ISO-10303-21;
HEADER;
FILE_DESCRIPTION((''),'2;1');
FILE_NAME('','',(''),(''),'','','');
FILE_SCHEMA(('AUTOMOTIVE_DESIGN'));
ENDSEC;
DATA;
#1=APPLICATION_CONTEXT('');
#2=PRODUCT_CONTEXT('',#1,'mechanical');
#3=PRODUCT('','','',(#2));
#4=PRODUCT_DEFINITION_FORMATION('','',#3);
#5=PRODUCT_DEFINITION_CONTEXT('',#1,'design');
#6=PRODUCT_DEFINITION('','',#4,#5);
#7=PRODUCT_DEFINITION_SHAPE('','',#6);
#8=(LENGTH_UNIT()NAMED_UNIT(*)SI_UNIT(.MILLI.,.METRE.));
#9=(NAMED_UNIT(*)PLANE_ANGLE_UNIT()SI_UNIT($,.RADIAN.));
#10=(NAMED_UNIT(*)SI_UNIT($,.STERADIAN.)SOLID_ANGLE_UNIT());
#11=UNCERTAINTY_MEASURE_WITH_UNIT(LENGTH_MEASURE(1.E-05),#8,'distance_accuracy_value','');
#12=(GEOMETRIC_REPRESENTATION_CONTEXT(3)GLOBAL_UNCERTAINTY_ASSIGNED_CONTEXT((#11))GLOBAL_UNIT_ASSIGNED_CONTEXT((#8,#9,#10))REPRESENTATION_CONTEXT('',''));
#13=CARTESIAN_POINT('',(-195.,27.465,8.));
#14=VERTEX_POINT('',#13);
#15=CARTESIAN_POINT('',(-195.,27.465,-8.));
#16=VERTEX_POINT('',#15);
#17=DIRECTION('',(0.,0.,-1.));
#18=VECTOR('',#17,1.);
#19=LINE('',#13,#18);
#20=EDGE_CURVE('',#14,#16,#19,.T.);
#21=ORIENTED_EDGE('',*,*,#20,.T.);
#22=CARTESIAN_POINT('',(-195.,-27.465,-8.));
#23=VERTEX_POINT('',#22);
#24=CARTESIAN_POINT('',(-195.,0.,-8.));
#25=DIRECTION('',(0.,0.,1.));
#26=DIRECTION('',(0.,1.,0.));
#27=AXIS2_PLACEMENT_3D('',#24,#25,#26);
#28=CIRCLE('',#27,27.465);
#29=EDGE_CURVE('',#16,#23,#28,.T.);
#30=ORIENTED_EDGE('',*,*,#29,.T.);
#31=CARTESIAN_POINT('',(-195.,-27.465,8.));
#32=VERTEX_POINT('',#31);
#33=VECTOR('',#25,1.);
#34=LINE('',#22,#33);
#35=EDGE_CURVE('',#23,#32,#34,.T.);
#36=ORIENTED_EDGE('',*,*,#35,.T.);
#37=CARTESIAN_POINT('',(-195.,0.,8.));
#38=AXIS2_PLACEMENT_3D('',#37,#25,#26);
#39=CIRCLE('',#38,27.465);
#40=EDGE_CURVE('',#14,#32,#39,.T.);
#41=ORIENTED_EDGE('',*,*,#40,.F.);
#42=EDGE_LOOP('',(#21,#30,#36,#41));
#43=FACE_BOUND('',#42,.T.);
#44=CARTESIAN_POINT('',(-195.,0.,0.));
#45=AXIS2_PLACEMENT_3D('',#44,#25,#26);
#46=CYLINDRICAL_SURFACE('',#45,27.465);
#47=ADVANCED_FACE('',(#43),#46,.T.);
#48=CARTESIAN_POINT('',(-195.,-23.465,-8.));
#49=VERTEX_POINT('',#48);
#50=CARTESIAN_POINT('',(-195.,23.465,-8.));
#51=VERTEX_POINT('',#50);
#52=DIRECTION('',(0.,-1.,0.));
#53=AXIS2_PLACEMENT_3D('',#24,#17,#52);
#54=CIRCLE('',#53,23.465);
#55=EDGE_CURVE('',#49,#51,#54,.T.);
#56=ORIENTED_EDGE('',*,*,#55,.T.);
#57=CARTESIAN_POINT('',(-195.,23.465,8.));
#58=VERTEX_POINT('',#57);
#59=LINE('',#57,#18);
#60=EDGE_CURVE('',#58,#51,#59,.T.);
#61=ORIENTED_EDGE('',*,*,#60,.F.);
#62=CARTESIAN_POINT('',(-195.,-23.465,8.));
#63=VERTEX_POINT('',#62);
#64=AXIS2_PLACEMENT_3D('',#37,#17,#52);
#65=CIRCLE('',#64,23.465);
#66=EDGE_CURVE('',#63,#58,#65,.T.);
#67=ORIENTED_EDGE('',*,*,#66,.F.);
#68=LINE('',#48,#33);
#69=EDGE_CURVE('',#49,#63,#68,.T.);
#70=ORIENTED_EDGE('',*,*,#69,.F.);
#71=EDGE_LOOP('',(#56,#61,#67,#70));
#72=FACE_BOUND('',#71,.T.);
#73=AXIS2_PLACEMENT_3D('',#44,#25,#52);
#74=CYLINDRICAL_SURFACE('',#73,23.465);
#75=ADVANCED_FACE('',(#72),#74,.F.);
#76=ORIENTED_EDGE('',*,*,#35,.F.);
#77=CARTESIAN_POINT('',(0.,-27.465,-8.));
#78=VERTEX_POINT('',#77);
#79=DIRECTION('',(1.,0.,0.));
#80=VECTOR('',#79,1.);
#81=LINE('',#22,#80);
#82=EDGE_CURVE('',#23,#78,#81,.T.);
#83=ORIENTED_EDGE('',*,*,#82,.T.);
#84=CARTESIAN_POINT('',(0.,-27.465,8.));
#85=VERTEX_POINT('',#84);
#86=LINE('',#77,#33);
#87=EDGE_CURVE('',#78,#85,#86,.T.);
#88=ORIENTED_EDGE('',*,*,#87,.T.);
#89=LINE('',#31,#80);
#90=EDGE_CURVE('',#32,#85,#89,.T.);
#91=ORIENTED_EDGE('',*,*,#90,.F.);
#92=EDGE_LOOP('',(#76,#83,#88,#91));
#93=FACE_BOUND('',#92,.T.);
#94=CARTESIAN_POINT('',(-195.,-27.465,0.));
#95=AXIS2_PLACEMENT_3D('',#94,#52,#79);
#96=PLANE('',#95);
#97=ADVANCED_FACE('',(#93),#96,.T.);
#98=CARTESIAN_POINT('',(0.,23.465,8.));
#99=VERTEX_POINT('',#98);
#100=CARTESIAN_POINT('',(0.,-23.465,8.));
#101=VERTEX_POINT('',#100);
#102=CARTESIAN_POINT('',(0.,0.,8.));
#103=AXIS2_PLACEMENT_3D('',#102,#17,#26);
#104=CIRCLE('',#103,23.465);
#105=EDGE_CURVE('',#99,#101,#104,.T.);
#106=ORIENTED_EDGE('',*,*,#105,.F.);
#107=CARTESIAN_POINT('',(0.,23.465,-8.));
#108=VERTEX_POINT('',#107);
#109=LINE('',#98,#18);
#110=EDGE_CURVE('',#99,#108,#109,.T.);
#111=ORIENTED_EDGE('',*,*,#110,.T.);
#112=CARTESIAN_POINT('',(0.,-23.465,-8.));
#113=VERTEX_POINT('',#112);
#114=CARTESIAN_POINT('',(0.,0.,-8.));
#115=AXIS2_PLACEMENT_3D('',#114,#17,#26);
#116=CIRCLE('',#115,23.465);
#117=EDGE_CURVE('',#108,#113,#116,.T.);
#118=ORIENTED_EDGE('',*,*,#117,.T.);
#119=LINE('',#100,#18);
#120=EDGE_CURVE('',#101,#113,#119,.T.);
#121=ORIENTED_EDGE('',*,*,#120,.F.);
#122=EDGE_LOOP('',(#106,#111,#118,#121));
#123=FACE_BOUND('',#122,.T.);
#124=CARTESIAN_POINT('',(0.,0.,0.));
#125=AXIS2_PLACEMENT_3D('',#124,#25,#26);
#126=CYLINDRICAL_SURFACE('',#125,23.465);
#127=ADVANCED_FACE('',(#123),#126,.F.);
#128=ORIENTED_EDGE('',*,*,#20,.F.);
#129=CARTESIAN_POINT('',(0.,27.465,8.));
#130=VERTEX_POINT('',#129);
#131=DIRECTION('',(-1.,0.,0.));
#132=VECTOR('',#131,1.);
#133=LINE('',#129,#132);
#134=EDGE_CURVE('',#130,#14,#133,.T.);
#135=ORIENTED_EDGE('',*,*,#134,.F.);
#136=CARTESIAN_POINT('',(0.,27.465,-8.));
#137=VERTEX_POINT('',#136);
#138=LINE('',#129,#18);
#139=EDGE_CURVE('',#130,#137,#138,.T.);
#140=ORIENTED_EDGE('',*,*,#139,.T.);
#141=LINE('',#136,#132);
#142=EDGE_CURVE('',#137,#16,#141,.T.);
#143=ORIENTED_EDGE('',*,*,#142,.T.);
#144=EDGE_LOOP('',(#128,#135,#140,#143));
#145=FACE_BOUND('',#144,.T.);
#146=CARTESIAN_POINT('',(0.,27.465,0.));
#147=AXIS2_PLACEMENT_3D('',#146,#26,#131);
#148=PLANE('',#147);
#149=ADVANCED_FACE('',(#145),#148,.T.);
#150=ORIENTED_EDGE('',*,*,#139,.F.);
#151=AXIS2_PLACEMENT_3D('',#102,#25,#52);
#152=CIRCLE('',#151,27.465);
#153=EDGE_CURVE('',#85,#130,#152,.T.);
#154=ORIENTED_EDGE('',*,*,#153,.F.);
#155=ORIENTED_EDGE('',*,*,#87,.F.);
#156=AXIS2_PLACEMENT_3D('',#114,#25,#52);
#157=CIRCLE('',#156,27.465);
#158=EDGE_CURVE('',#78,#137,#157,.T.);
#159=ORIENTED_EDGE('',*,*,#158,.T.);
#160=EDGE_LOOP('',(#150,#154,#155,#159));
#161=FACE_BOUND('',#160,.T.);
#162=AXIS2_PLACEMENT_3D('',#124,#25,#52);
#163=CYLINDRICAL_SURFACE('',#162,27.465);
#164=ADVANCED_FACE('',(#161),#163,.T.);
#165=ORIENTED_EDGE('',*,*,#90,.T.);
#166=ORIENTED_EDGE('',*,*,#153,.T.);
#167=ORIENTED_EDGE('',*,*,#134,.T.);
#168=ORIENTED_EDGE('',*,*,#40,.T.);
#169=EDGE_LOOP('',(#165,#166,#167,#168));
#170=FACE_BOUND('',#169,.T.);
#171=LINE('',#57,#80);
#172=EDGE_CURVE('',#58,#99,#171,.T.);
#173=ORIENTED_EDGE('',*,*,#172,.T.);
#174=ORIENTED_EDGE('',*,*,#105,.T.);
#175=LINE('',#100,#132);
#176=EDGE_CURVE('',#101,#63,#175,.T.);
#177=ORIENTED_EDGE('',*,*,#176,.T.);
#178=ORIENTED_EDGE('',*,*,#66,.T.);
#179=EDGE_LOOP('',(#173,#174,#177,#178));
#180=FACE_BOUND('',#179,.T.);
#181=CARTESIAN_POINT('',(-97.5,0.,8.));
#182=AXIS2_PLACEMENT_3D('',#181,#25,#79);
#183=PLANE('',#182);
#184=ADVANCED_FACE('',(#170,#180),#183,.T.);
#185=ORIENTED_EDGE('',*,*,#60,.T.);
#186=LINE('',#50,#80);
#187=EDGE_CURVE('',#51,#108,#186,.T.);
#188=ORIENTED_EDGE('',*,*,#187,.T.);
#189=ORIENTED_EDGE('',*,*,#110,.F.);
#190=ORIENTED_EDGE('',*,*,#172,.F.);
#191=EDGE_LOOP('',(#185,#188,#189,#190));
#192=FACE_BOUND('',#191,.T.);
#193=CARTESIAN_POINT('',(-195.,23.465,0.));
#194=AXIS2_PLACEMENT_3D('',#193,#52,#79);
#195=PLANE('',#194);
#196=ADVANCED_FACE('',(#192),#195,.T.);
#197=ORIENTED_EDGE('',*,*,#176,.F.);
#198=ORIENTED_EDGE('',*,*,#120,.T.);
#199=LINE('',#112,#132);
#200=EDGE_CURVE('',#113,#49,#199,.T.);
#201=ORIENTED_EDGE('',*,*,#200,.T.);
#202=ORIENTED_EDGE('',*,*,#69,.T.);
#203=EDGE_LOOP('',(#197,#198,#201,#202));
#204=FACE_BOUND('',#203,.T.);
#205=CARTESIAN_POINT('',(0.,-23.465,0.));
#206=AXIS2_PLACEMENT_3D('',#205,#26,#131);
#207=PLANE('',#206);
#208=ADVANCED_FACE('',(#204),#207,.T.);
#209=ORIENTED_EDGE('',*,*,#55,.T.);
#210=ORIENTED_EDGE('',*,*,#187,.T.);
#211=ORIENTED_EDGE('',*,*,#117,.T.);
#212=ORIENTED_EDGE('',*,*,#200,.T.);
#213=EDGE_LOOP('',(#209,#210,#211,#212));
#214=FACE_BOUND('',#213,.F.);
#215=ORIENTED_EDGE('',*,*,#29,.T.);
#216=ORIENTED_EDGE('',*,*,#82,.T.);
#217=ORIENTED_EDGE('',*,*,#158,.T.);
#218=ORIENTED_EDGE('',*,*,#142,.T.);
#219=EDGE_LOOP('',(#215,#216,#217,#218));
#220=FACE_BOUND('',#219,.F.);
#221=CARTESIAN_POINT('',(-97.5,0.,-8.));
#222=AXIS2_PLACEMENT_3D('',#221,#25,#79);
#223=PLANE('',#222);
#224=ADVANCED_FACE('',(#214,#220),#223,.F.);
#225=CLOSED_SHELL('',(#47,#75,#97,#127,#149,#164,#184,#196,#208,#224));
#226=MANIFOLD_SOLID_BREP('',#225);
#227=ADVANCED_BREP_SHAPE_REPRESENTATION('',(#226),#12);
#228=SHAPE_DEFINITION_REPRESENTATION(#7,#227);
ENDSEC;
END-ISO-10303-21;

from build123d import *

# Parameters (mm, degrees)
F1_DEPTH = 8


with BuildPart() as f1:
    # F0 (on Top) → F1 (new body, symmetric)
    with BuildSketch(Plane.XY):
        with BuildLine():
            ThreePointArc((-195, 27.465), (-222.465, 0), (-195, -27.465))
            Line((-195, -27.465), (0, -27.465))
            ThreePointArc((0, -27.465), (27.465, 0), (0, 27.465))
            Line((0, 27.465), (-195, 27.465))
        make_face()
        with BuildLine():
            ThreePointArc((-195, -23.465), (-218.465, 0), (-195, 23.465))
            Line((-195, 23.465), (0, 23.465))
            ThreePointArc((0, 23.465), (23.465, 0), (0, -23.465))
            Line((0, -23.465), (-195, -23.465))
        make_face(mode=Mode.SUBTRACT)
    extrude(amount=F1_DEPTH, both=True)


solid = f1.part
